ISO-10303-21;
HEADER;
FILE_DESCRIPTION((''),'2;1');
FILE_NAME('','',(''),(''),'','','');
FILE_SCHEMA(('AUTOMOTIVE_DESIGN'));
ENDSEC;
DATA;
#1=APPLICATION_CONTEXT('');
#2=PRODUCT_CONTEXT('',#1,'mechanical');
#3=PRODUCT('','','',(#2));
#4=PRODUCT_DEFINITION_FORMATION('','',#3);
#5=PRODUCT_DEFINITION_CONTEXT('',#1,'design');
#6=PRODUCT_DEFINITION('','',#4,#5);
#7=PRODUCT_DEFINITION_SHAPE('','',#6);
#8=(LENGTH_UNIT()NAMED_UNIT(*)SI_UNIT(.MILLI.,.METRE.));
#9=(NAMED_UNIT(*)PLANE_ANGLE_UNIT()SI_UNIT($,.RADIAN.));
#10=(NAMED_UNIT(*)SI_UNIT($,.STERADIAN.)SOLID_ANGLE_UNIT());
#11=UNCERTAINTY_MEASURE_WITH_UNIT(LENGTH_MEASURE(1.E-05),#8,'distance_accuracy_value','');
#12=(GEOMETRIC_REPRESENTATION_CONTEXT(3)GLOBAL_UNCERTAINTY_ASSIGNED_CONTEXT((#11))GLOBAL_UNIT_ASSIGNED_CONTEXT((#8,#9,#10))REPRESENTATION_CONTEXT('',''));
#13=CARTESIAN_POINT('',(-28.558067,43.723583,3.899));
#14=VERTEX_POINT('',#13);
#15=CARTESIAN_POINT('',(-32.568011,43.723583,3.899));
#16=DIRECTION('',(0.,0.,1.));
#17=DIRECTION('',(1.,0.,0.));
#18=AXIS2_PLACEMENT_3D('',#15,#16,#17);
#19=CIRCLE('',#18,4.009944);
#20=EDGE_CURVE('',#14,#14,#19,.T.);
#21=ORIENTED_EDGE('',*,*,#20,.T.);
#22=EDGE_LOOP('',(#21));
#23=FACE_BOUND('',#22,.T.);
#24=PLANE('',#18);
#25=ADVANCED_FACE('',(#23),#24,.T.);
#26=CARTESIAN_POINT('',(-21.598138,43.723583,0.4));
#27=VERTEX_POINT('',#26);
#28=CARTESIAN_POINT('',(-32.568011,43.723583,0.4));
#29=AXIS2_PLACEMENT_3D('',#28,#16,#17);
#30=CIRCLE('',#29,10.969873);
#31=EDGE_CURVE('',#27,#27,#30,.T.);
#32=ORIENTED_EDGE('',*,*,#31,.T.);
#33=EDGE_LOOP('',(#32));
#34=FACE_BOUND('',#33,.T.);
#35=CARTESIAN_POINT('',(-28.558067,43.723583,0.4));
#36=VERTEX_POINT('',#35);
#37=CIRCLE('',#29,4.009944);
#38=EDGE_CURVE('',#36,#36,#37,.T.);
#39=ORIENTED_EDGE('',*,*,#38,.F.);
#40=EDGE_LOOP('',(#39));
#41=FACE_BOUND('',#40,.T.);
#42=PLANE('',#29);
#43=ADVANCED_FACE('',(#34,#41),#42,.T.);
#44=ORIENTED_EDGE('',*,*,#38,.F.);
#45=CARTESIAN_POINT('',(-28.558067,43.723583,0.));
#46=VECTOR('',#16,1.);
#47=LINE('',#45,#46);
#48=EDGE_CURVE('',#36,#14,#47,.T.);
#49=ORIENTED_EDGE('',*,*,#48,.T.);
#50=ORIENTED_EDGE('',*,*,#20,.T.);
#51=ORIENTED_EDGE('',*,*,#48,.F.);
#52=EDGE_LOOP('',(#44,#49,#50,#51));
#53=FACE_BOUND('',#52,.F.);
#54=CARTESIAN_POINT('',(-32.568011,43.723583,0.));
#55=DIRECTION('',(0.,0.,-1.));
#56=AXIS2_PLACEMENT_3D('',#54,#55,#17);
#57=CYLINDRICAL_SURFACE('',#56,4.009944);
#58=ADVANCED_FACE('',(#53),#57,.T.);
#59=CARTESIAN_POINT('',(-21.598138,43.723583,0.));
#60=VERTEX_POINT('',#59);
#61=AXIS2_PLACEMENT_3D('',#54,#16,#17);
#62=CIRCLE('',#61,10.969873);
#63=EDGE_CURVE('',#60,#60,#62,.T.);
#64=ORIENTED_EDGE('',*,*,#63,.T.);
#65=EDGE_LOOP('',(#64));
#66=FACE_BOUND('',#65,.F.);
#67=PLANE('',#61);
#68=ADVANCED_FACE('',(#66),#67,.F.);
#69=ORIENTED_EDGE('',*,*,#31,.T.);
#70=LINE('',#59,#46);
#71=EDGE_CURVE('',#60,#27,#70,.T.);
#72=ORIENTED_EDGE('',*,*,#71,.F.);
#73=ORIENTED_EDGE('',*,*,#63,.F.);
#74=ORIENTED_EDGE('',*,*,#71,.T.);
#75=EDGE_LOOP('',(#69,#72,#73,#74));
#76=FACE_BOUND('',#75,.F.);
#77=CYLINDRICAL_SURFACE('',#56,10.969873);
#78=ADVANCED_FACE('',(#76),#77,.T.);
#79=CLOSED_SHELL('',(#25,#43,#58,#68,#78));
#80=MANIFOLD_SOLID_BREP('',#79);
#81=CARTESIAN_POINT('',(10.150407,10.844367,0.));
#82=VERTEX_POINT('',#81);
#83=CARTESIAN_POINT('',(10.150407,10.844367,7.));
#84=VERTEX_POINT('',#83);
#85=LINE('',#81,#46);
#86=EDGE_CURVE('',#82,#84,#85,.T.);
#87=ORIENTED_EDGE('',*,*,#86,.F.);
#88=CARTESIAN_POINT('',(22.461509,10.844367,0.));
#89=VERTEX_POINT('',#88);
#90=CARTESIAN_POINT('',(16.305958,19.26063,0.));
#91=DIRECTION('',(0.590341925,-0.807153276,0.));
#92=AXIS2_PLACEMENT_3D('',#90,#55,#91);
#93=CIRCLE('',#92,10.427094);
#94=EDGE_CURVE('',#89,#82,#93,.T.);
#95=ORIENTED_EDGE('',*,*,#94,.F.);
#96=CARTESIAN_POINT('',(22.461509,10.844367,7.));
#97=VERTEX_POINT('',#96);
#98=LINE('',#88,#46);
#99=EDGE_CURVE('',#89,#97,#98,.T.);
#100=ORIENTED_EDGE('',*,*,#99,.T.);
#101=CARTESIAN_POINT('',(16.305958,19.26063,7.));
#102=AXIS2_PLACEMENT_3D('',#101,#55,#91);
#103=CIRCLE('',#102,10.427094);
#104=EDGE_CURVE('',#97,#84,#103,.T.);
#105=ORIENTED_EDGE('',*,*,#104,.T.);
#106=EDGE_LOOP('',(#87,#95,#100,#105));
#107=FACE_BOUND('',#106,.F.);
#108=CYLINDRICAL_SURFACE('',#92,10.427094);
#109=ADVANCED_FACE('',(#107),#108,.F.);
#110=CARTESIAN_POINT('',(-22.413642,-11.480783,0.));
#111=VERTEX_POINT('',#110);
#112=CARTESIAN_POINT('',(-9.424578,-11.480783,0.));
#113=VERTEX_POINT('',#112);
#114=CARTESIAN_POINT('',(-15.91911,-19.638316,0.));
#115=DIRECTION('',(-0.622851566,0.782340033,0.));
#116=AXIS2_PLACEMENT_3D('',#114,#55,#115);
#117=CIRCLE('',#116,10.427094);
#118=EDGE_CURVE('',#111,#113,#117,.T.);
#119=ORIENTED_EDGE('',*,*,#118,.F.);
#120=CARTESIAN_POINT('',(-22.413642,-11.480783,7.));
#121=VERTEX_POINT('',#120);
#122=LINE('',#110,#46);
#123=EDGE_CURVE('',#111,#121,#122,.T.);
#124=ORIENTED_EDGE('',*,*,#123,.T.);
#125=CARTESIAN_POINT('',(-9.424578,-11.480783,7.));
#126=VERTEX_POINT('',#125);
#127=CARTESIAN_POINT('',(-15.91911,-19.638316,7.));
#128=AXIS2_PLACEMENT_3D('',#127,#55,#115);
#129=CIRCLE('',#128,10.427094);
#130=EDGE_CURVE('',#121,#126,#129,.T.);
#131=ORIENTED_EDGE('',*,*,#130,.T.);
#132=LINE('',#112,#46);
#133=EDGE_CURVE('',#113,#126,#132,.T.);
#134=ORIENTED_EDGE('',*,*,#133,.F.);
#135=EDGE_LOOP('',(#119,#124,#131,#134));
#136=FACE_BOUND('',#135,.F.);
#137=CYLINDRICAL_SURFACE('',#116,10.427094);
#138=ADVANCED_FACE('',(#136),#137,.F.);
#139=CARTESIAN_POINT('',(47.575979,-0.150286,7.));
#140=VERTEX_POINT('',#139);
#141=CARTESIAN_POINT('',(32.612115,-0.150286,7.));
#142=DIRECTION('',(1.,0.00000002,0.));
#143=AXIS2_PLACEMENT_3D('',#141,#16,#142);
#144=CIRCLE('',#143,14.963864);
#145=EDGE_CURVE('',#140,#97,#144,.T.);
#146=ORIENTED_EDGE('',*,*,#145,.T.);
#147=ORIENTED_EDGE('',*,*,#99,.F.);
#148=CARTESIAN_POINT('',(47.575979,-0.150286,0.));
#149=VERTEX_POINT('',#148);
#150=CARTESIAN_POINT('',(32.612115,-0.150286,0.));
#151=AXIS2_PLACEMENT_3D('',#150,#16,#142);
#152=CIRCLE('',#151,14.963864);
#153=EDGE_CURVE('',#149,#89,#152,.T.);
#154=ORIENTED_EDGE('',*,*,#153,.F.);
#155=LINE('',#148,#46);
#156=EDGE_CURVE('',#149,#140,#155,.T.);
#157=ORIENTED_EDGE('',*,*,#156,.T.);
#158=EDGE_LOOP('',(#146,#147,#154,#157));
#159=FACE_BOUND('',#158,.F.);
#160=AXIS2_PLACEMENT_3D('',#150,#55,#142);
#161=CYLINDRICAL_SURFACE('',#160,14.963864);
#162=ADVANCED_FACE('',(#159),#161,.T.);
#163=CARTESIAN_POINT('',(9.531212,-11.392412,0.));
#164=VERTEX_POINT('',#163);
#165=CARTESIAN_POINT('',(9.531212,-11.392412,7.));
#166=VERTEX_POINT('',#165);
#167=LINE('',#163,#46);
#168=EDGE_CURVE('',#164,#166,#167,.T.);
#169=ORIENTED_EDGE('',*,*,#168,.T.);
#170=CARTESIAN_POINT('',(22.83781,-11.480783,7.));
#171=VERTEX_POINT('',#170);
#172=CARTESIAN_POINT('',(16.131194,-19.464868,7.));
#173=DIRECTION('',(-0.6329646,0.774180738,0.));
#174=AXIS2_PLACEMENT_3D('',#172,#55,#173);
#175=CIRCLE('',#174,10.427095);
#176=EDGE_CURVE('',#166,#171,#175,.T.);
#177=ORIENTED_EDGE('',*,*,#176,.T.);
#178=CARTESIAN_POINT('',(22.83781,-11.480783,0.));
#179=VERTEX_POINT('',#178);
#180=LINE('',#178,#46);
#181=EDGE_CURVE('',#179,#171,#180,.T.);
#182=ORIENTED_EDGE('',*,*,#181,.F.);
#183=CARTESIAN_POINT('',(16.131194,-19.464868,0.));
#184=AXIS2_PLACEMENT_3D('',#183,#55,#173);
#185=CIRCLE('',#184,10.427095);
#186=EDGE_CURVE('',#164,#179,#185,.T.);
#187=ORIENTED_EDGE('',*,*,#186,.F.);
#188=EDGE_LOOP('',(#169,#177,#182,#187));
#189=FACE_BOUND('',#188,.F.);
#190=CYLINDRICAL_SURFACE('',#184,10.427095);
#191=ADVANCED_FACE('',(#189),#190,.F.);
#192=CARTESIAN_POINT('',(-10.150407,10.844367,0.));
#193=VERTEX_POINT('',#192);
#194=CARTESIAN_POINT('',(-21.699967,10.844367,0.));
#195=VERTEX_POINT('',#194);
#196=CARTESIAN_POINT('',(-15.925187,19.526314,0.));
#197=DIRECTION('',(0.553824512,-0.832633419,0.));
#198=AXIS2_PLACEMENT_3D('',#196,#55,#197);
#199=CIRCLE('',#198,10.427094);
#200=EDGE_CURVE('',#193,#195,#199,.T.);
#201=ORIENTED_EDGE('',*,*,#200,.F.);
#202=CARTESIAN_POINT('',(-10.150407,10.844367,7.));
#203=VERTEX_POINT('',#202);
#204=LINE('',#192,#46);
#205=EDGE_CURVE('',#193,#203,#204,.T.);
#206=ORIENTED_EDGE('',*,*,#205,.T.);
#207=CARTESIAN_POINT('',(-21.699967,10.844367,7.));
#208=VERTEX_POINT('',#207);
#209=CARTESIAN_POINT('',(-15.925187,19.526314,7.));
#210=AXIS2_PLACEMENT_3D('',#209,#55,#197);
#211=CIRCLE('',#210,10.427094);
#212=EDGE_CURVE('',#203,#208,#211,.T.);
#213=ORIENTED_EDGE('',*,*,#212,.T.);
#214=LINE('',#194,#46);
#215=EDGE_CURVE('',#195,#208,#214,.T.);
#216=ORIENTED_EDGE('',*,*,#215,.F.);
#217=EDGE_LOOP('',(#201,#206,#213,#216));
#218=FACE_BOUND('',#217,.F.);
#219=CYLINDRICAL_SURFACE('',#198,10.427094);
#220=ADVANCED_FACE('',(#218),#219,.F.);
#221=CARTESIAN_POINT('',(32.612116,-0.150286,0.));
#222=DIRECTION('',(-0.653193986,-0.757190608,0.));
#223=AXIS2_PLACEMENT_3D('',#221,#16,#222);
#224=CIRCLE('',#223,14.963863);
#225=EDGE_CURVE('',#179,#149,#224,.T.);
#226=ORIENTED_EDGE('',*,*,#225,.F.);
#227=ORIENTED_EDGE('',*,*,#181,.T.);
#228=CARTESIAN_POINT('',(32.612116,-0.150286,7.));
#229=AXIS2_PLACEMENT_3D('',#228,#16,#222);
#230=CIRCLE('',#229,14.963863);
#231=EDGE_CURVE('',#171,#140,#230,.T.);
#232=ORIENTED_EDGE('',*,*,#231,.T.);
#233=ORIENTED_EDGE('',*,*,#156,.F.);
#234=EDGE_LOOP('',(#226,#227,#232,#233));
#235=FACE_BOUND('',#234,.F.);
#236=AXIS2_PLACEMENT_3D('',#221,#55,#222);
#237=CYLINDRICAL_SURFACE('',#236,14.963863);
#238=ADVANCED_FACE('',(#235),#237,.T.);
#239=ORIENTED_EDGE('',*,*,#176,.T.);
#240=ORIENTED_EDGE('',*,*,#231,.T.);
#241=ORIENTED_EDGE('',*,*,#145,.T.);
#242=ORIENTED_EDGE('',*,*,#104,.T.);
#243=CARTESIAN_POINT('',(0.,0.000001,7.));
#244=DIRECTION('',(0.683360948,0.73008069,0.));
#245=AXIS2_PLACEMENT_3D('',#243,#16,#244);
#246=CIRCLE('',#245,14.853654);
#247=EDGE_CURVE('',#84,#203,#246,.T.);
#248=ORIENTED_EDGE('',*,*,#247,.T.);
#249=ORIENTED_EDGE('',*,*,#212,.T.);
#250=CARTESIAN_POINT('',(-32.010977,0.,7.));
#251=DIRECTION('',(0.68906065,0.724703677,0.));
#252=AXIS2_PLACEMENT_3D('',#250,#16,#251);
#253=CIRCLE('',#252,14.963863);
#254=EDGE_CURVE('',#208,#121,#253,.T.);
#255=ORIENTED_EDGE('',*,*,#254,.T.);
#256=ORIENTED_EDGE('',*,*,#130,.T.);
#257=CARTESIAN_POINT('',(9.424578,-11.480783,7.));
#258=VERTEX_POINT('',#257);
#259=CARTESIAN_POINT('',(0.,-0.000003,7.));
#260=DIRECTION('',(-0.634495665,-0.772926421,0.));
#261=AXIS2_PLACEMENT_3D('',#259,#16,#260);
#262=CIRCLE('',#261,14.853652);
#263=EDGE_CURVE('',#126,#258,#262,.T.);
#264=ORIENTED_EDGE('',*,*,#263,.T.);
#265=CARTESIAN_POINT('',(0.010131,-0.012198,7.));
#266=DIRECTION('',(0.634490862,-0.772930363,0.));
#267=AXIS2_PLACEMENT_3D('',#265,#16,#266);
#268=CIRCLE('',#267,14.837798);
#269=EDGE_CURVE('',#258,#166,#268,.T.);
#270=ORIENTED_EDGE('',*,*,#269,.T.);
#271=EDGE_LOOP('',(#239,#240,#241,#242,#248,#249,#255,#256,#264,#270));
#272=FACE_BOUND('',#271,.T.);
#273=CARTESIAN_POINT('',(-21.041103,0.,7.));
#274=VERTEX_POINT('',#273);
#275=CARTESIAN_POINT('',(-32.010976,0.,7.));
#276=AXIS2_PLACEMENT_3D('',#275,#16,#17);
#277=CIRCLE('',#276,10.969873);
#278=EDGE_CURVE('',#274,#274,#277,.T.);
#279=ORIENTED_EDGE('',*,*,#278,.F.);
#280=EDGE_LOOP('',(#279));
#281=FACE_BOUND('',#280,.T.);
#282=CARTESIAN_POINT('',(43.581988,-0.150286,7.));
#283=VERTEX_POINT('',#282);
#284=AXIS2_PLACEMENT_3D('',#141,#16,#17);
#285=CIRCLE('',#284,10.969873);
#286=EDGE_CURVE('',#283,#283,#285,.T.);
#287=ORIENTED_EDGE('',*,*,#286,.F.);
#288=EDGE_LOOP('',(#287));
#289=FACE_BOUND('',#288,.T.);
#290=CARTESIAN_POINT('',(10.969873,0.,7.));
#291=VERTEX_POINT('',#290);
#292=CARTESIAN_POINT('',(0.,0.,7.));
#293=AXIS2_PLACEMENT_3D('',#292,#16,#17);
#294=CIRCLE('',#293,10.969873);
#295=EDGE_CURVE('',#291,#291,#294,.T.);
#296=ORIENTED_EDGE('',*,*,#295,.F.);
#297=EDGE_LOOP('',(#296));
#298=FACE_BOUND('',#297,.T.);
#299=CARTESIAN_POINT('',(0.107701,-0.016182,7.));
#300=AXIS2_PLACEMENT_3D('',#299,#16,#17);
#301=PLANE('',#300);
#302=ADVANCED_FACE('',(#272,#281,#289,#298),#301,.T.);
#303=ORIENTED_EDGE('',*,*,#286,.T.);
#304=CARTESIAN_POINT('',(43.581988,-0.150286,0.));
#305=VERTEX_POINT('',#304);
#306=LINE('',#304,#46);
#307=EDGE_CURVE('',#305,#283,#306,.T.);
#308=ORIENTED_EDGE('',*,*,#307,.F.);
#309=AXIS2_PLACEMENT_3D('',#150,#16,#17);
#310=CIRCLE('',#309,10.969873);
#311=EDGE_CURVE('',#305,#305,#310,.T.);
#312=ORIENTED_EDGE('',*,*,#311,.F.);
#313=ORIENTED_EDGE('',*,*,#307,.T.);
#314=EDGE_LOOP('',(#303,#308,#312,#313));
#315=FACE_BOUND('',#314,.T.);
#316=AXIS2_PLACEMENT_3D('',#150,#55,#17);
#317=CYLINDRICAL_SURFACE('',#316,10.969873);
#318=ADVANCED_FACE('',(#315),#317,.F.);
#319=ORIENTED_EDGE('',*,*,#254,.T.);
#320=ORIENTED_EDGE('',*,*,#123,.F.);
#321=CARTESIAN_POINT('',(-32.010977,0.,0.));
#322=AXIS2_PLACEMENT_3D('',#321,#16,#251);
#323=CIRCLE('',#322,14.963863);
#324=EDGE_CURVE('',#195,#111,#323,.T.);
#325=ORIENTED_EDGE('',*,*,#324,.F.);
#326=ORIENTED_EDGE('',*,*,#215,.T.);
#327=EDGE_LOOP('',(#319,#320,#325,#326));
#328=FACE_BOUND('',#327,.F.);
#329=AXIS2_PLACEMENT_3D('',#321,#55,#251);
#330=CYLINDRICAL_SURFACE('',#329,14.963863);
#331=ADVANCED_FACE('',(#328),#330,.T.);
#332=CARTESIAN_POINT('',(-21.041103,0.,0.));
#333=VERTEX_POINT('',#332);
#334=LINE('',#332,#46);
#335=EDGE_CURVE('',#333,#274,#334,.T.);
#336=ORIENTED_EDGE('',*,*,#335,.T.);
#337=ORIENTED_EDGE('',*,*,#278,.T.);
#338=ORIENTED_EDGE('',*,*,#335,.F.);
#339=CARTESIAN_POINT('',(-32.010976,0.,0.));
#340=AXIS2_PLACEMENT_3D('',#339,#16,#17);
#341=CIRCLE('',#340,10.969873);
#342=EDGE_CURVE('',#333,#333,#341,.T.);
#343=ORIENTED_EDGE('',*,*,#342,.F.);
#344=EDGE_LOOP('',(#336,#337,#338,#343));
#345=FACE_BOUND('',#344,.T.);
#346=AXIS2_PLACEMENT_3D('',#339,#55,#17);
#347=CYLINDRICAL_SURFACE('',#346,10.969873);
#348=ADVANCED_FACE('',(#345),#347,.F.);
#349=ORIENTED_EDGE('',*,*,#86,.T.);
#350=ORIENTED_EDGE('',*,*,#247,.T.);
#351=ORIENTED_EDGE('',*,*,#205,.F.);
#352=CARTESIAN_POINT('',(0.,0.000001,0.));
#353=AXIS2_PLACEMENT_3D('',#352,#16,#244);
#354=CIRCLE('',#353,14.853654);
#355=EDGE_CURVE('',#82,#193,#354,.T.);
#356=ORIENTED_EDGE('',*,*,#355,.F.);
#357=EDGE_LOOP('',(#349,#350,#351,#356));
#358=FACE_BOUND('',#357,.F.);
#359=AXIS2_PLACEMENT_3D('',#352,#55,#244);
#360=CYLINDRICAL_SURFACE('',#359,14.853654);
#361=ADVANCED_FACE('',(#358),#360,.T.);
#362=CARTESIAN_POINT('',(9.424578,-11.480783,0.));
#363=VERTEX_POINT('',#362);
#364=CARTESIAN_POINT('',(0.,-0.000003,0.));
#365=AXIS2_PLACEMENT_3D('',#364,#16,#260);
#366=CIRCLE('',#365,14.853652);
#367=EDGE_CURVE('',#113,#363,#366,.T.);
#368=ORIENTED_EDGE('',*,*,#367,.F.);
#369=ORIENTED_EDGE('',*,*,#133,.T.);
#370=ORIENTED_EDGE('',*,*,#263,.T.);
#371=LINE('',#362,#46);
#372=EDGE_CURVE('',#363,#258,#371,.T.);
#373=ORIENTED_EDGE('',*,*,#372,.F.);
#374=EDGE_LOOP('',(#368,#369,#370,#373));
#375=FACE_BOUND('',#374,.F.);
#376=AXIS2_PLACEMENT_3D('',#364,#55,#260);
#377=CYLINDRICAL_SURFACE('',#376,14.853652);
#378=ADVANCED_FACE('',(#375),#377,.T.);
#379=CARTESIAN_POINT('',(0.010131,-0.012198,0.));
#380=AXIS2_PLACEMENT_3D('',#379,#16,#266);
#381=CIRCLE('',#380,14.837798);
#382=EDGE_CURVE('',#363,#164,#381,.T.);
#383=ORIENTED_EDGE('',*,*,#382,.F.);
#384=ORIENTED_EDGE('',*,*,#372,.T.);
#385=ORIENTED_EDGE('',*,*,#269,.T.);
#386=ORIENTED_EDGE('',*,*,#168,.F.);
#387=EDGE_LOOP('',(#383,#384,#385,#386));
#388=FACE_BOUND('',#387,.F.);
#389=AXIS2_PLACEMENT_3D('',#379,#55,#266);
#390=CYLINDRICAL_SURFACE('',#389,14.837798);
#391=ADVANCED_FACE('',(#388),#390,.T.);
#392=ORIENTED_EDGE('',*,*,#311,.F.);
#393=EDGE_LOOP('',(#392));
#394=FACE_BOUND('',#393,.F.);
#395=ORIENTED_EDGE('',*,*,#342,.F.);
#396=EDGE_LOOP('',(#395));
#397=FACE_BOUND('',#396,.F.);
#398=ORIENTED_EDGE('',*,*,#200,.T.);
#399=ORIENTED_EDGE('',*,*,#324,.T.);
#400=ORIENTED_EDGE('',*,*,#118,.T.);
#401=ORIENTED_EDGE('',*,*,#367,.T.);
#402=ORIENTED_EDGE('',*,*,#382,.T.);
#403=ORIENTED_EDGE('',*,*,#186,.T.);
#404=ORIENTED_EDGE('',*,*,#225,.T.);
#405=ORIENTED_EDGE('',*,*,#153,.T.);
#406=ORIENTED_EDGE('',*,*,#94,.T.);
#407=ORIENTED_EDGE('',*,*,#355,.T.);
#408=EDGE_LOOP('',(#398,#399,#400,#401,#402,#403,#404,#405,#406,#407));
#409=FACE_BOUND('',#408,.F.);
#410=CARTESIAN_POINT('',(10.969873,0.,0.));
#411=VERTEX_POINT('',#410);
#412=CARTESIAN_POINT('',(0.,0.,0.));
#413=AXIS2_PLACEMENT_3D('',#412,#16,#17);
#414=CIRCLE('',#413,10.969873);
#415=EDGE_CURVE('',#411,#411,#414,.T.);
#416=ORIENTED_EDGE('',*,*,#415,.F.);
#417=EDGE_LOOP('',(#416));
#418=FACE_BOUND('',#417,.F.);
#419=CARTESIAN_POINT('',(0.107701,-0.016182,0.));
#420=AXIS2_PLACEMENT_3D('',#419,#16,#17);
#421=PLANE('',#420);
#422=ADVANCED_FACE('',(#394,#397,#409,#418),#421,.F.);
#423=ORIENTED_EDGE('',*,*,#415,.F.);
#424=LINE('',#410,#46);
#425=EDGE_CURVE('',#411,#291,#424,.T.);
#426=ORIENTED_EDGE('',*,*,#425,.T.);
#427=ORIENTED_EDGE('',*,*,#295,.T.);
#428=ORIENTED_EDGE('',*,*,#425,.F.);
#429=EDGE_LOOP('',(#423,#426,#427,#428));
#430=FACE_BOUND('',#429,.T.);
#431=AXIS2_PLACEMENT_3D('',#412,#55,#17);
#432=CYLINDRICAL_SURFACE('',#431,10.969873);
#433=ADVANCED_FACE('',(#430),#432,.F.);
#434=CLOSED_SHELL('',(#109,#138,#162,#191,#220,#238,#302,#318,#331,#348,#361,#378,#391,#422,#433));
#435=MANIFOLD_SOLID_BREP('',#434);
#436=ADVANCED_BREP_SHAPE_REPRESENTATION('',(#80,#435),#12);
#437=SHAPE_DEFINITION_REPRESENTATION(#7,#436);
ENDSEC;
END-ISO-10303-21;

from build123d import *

# Parameters (mm, degrees)
F0_R     = 10.969873
F1_DEPTH = 7
F2_R     = 10.969873
F2_R_2   = 4.009944
F3_DEPTH = 0.4
F4_DEPTH = 3.899


with BuildPart() as f1:
    # F0 (on Top) → F1 (new body)
    with BuildSketch(Plane.XY):
        with BuildLine():
            ThreePointArc((9.531212, -11.392412), (13.457422, -6.287198), (14.853655, 0))
            ThreePointArc((14.853655, 0), (13.62721, 5.910178), (10.150407, 10.844367))
            ThreePointArc((10.150407, 10.844367), (0, 14.853655), (-10.150407, 10.844367))
            ThreePointArc((-10.150407, 10.844367), (-14.845811, -0.482663), (-9.424578, -11.480783))
            ThreePointArc((-9.424578, -11.480783), (0, -14.853655), (9.424578, -11.480783))
            ThreePointArc((9.424578, -11.480783), (9.477749, -11.436421), (9.531212, -11.392412))
        make_face()
        Circle(F0_R, mode=Mode.SUBTRACT)
        with BuildLine():
            ThreePointArc((10.150407, 10.844367), (13.62721, 5.910178), (14.853655, 0))
            ThreePointArc((14.853655, 0), (13.457422, -6.287198), (9.531212, -11.392412))
            ThreePointArc((9.531212, -11.392412), (16.20044, -9.038003), (22.83781, -11.480783))
            ThreePointArc((22.83781, -11.480783), (17.650377, -0.402473), (22.461509, 10.844367))
            ThreePointArc((22.461509, 10.844367), (16.305958, 8.833536), (10.150407, 10.844367))
        make_face()
        with BuildLine():
            ThreePointArc((9.424578, -11.480783), (9.477998, -11.436722), (9.531212, -11.392412))
            ThreePointArc((9.531212, -11.392412), (9.477749, -11.436421), (9.424578, -11.480783))
        make_face()
        with BuildLine():
            ThreePointArc((-9.424578, -11.480783), (-14.845811, -0.482663), (-10.150407, 10.844367))
            ThreePointArc((-10.150407, 10.844367), (-15.925187, 9.09922), (-21.699967, 10.844367))
            ThreePointArc((-21.699967, 10.844367), (-18.259436, 5.900198), (-17.047113, 0))
            ThreePointArc((-17.047113, 0), (-18.454974, -6.336561), (-22.413642, -11.480783))
            ThreePointArc((-22.413642, -11.480783), (-15.91911, -9.211222), (-9.424578, -11.480783))
        make_face()
        with BuildLine():
            ThreePointArc((47.575979, -0.150286), (38.613154, 13.557549), (22.461509, 10.844367))
            ThreePointArc((22.461509, 10.844367), (17.650377, -0.402473), (22.83781, -11.480783))
            ThreePointArc((22.83781, -11.480783), (38.84332, -13.755039), (47.575979, -0.150286))
        make_face()
        with Locations((32.612115, -0.150286)):
            Circle(F0_R, mode=Mode.SUBTRACT)
        with BuildLine():
            ThreePointArc((-17.047113, 0), (-18.259436, 5.900198), (-21.699967, 10.844367))
            ThreePointArc((-21.699967, 10.844367), (-46.9672, 0.47811), (-22.413642, -11.480783))
            ThreePointArc((-22.413642, -11.480783), (-18.454974, -6.336561), (-17.047113, 0))
        make_face()
        with Locations((-32.010976, 0)):
            Circle(F0_R, mode=Mode.SUBTRACT)
    extrude(amount=F1_DEPTH)


with BuildPart() as f3:
    # F2 (on Top) → F3 (new body)
    with BuildSketch(Plane.XY):
        with Locations((-32.568011, 43.723583)):
            Circle(F2_R)
        with Locations((-32.568011, 43.723583)):
            Circle(F2_R_2, mode=Mode.SUBTRACT)
    extrude(amount=F3_DEPTH)

    # F2 (on Top) → F4 (join)
    with BuildSketch(Plane.XY):
        with Locations((-32.568011, 43.723583)):
            Circle(F2_R_2)
    extrude(amount=F4_DEPTH)


solid = Compound([f1.part, f3.part])
